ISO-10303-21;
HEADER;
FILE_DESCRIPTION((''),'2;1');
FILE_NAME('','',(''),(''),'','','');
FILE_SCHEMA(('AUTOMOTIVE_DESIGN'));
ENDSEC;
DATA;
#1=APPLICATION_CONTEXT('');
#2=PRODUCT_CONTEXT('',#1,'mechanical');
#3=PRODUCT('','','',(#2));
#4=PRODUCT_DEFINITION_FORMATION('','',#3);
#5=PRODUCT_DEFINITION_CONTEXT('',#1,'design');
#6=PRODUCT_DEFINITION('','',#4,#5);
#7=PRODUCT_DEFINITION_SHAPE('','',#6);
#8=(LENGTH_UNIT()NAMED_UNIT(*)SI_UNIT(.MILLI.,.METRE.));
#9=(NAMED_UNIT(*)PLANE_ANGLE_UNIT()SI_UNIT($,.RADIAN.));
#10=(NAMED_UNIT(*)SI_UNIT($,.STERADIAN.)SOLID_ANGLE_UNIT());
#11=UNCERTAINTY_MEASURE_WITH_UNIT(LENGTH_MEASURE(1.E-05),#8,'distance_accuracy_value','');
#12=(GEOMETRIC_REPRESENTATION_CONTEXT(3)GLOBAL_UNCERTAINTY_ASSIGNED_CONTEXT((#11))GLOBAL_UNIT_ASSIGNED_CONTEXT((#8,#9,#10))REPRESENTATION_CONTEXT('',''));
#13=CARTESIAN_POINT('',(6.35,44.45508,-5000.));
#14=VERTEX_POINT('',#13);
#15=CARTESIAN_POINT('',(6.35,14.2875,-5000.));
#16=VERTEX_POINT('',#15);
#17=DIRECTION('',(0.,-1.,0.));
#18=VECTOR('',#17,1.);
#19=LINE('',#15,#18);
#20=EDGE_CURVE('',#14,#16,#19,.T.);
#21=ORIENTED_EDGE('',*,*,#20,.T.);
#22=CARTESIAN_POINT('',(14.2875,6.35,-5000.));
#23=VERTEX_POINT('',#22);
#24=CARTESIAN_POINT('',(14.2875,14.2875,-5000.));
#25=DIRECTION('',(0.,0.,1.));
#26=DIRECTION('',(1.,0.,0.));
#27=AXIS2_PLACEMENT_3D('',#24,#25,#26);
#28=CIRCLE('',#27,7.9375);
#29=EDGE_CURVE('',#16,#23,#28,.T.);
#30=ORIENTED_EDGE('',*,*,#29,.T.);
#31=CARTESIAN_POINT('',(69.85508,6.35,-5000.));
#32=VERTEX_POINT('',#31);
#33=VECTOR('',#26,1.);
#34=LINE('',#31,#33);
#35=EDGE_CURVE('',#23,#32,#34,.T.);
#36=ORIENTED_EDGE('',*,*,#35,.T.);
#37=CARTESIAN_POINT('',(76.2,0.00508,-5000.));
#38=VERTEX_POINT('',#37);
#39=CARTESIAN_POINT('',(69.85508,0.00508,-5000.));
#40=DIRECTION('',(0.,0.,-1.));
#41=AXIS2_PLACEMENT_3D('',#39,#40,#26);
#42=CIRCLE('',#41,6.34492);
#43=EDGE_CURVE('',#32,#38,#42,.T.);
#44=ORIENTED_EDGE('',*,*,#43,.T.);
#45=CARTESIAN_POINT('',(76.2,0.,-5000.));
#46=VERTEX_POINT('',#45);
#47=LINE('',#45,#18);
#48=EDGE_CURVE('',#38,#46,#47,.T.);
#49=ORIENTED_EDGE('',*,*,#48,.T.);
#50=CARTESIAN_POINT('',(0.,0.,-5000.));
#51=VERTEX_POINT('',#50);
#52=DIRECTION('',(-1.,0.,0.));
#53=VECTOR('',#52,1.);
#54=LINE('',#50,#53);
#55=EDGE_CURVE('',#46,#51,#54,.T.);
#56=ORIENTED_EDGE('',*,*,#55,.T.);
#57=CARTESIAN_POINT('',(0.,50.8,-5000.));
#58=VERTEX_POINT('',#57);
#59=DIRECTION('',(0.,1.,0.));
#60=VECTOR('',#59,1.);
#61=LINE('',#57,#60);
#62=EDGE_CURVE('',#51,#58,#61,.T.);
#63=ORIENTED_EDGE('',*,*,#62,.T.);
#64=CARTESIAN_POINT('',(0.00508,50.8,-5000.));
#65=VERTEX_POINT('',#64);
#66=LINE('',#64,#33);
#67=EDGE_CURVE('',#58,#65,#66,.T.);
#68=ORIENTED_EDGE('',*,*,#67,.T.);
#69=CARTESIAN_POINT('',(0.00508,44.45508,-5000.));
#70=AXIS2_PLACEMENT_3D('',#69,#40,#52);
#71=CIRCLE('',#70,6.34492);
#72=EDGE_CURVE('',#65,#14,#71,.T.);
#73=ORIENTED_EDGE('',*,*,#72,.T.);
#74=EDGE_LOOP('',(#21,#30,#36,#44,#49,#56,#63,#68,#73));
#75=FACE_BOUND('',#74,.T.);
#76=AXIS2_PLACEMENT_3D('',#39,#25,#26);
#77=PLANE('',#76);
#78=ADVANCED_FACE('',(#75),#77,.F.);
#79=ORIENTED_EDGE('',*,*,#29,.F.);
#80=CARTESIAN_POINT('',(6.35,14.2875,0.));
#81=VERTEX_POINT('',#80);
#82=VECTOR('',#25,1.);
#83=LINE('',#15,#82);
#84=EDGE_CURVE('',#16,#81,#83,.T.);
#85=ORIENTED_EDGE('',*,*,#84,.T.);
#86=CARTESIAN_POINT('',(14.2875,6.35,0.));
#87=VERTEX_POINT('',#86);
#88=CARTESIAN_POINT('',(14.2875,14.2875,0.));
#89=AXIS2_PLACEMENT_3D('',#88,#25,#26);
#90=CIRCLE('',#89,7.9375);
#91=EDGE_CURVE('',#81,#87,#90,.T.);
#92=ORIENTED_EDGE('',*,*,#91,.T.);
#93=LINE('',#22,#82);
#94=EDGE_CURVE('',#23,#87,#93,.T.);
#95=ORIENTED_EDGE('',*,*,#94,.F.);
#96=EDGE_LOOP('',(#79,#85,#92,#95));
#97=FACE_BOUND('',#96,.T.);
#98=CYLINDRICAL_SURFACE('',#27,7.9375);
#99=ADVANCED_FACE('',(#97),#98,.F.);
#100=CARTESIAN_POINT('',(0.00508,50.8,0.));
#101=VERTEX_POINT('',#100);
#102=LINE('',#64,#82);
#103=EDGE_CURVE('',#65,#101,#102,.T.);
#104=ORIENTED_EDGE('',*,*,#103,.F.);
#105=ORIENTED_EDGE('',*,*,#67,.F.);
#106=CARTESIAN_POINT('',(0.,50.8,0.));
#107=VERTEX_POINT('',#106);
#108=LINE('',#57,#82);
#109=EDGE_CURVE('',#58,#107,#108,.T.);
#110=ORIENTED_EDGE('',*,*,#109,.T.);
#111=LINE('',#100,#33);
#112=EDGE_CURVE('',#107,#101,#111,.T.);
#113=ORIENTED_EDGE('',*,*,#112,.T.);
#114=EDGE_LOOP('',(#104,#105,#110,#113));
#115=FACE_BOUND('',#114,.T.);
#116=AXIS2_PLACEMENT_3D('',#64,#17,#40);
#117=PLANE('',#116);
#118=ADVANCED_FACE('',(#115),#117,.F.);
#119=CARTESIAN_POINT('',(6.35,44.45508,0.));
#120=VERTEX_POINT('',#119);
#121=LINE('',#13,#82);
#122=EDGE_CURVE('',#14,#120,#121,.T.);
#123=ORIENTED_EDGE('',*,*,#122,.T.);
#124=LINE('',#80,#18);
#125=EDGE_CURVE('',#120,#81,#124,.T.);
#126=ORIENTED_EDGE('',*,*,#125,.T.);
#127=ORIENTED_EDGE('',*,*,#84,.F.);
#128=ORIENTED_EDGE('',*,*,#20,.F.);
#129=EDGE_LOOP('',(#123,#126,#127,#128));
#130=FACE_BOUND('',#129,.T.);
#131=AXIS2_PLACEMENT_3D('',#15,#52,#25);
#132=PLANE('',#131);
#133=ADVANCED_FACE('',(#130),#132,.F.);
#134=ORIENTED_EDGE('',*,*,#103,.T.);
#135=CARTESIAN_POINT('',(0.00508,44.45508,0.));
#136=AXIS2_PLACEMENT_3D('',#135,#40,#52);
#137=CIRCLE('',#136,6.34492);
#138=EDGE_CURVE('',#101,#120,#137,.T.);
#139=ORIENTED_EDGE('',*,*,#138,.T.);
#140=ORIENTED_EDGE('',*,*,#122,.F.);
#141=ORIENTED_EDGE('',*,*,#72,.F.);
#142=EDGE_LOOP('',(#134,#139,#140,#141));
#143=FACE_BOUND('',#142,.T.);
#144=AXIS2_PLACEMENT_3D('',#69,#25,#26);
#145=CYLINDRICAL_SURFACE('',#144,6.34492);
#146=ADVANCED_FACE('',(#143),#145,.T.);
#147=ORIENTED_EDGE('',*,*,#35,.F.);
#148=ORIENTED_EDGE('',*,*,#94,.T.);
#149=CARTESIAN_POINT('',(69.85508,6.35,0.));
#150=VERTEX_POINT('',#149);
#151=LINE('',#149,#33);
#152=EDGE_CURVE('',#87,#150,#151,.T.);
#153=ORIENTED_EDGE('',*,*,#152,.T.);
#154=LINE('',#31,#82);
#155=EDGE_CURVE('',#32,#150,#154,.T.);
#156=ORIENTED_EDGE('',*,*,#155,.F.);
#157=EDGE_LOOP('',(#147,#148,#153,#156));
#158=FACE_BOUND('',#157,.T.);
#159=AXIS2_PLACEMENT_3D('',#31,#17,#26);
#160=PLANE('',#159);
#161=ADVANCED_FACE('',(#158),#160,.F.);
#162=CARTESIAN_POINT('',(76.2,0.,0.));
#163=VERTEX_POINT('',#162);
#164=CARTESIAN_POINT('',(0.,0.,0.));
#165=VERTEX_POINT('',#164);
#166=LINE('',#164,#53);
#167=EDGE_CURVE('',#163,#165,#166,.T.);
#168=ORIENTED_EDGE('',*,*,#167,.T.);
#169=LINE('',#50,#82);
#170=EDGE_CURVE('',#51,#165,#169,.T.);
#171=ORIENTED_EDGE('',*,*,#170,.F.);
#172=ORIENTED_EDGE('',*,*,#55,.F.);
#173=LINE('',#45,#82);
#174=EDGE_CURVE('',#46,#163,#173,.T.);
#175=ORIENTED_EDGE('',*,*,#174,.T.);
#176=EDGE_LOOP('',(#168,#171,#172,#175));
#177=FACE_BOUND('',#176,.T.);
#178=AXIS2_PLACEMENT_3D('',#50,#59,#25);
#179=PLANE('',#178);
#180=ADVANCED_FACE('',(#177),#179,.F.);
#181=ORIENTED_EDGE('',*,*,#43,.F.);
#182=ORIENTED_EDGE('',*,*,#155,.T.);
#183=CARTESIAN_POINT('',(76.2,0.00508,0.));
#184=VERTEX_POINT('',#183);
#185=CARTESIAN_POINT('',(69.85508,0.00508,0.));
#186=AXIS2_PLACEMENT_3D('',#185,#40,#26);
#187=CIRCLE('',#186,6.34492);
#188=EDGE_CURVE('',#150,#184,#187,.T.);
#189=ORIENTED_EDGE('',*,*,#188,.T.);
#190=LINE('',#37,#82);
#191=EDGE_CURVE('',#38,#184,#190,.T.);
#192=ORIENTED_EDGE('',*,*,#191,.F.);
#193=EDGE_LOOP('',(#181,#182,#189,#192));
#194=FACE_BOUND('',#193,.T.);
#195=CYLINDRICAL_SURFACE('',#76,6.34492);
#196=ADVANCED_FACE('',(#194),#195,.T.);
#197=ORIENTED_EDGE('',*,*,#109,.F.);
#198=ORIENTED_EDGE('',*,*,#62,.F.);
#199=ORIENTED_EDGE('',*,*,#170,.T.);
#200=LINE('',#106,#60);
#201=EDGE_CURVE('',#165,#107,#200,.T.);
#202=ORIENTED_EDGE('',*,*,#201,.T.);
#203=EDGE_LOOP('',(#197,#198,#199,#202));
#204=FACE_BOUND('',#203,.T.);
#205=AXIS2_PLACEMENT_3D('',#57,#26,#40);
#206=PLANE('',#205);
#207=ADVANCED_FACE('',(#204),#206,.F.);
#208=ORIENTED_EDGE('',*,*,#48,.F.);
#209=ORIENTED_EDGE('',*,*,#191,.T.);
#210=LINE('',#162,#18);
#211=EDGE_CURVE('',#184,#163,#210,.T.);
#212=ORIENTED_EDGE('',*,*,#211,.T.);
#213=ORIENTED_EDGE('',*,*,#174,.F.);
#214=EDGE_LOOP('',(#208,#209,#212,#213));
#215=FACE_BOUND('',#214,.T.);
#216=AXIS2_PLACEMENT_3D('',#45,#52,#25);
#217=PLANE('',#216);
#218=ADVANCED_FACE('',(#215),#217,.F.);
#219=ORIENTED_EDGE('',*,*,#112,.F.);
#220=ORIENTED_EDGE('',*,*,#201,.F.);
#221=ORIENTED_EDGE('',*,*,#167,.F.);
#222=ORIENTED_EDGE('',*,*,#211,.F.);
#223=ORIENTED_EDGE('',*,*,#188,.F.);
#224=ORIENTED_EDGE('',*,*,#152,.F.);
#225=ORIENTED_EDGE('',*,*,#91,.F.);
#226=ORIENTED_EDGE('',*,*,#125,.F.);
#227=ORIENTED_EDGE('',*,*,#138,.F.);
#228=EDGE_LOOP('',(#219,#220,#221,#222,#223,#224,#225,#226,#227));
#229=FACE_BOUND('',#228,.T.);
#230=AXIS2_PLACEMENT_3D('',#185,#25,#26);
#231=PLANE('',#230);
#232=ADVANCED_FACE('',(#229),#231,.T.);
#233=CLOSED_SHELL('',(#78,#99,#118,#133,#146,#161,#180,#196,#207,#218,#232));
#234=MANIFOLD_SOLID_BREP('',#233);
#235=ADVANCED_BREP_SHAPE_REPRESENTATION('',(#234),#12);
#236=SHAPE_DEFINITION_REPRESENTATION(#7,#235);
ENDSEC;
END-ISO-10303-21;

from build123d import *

# Parameters (mm, degrees)
COMPONENTE_ESTRUTURAL1_DEPTH = 5000


with BuildPart() as part:
    # Sketch11 → Componente estrutural1 (new body)
    with BuildSketch(Plane.YX):
        with BuildLine():
            Line((0, 0), (0, 76.2))
            Line((0, 76.2), (0.00508, 76.2))
            ThreePointArc((0.00508, 76.2), (4.491615958, 74.341615958), (6.35, 69.85508))
            Line((6.35, 69.85508), (6.35, 14.2875))
            ThreePointArc((6.35, 14.2875), (8.674839924, 8.674839924), (14.2875, 6.35))
            Line((14.2875, 6.35), (44.45508, 6.35))
            ThreePointArc((44.45508, 6.35), (48.941615958, 4.491615958), (50.8, 0.00508))
            Line((50.8, 0.00508), (50.8, 0))
            Line((50.8, 0), (0, 0))
        make_face()
    extrude(amount=COMPONENTE_ESTRUTURAL1_DEPTH)


solid = part.part
